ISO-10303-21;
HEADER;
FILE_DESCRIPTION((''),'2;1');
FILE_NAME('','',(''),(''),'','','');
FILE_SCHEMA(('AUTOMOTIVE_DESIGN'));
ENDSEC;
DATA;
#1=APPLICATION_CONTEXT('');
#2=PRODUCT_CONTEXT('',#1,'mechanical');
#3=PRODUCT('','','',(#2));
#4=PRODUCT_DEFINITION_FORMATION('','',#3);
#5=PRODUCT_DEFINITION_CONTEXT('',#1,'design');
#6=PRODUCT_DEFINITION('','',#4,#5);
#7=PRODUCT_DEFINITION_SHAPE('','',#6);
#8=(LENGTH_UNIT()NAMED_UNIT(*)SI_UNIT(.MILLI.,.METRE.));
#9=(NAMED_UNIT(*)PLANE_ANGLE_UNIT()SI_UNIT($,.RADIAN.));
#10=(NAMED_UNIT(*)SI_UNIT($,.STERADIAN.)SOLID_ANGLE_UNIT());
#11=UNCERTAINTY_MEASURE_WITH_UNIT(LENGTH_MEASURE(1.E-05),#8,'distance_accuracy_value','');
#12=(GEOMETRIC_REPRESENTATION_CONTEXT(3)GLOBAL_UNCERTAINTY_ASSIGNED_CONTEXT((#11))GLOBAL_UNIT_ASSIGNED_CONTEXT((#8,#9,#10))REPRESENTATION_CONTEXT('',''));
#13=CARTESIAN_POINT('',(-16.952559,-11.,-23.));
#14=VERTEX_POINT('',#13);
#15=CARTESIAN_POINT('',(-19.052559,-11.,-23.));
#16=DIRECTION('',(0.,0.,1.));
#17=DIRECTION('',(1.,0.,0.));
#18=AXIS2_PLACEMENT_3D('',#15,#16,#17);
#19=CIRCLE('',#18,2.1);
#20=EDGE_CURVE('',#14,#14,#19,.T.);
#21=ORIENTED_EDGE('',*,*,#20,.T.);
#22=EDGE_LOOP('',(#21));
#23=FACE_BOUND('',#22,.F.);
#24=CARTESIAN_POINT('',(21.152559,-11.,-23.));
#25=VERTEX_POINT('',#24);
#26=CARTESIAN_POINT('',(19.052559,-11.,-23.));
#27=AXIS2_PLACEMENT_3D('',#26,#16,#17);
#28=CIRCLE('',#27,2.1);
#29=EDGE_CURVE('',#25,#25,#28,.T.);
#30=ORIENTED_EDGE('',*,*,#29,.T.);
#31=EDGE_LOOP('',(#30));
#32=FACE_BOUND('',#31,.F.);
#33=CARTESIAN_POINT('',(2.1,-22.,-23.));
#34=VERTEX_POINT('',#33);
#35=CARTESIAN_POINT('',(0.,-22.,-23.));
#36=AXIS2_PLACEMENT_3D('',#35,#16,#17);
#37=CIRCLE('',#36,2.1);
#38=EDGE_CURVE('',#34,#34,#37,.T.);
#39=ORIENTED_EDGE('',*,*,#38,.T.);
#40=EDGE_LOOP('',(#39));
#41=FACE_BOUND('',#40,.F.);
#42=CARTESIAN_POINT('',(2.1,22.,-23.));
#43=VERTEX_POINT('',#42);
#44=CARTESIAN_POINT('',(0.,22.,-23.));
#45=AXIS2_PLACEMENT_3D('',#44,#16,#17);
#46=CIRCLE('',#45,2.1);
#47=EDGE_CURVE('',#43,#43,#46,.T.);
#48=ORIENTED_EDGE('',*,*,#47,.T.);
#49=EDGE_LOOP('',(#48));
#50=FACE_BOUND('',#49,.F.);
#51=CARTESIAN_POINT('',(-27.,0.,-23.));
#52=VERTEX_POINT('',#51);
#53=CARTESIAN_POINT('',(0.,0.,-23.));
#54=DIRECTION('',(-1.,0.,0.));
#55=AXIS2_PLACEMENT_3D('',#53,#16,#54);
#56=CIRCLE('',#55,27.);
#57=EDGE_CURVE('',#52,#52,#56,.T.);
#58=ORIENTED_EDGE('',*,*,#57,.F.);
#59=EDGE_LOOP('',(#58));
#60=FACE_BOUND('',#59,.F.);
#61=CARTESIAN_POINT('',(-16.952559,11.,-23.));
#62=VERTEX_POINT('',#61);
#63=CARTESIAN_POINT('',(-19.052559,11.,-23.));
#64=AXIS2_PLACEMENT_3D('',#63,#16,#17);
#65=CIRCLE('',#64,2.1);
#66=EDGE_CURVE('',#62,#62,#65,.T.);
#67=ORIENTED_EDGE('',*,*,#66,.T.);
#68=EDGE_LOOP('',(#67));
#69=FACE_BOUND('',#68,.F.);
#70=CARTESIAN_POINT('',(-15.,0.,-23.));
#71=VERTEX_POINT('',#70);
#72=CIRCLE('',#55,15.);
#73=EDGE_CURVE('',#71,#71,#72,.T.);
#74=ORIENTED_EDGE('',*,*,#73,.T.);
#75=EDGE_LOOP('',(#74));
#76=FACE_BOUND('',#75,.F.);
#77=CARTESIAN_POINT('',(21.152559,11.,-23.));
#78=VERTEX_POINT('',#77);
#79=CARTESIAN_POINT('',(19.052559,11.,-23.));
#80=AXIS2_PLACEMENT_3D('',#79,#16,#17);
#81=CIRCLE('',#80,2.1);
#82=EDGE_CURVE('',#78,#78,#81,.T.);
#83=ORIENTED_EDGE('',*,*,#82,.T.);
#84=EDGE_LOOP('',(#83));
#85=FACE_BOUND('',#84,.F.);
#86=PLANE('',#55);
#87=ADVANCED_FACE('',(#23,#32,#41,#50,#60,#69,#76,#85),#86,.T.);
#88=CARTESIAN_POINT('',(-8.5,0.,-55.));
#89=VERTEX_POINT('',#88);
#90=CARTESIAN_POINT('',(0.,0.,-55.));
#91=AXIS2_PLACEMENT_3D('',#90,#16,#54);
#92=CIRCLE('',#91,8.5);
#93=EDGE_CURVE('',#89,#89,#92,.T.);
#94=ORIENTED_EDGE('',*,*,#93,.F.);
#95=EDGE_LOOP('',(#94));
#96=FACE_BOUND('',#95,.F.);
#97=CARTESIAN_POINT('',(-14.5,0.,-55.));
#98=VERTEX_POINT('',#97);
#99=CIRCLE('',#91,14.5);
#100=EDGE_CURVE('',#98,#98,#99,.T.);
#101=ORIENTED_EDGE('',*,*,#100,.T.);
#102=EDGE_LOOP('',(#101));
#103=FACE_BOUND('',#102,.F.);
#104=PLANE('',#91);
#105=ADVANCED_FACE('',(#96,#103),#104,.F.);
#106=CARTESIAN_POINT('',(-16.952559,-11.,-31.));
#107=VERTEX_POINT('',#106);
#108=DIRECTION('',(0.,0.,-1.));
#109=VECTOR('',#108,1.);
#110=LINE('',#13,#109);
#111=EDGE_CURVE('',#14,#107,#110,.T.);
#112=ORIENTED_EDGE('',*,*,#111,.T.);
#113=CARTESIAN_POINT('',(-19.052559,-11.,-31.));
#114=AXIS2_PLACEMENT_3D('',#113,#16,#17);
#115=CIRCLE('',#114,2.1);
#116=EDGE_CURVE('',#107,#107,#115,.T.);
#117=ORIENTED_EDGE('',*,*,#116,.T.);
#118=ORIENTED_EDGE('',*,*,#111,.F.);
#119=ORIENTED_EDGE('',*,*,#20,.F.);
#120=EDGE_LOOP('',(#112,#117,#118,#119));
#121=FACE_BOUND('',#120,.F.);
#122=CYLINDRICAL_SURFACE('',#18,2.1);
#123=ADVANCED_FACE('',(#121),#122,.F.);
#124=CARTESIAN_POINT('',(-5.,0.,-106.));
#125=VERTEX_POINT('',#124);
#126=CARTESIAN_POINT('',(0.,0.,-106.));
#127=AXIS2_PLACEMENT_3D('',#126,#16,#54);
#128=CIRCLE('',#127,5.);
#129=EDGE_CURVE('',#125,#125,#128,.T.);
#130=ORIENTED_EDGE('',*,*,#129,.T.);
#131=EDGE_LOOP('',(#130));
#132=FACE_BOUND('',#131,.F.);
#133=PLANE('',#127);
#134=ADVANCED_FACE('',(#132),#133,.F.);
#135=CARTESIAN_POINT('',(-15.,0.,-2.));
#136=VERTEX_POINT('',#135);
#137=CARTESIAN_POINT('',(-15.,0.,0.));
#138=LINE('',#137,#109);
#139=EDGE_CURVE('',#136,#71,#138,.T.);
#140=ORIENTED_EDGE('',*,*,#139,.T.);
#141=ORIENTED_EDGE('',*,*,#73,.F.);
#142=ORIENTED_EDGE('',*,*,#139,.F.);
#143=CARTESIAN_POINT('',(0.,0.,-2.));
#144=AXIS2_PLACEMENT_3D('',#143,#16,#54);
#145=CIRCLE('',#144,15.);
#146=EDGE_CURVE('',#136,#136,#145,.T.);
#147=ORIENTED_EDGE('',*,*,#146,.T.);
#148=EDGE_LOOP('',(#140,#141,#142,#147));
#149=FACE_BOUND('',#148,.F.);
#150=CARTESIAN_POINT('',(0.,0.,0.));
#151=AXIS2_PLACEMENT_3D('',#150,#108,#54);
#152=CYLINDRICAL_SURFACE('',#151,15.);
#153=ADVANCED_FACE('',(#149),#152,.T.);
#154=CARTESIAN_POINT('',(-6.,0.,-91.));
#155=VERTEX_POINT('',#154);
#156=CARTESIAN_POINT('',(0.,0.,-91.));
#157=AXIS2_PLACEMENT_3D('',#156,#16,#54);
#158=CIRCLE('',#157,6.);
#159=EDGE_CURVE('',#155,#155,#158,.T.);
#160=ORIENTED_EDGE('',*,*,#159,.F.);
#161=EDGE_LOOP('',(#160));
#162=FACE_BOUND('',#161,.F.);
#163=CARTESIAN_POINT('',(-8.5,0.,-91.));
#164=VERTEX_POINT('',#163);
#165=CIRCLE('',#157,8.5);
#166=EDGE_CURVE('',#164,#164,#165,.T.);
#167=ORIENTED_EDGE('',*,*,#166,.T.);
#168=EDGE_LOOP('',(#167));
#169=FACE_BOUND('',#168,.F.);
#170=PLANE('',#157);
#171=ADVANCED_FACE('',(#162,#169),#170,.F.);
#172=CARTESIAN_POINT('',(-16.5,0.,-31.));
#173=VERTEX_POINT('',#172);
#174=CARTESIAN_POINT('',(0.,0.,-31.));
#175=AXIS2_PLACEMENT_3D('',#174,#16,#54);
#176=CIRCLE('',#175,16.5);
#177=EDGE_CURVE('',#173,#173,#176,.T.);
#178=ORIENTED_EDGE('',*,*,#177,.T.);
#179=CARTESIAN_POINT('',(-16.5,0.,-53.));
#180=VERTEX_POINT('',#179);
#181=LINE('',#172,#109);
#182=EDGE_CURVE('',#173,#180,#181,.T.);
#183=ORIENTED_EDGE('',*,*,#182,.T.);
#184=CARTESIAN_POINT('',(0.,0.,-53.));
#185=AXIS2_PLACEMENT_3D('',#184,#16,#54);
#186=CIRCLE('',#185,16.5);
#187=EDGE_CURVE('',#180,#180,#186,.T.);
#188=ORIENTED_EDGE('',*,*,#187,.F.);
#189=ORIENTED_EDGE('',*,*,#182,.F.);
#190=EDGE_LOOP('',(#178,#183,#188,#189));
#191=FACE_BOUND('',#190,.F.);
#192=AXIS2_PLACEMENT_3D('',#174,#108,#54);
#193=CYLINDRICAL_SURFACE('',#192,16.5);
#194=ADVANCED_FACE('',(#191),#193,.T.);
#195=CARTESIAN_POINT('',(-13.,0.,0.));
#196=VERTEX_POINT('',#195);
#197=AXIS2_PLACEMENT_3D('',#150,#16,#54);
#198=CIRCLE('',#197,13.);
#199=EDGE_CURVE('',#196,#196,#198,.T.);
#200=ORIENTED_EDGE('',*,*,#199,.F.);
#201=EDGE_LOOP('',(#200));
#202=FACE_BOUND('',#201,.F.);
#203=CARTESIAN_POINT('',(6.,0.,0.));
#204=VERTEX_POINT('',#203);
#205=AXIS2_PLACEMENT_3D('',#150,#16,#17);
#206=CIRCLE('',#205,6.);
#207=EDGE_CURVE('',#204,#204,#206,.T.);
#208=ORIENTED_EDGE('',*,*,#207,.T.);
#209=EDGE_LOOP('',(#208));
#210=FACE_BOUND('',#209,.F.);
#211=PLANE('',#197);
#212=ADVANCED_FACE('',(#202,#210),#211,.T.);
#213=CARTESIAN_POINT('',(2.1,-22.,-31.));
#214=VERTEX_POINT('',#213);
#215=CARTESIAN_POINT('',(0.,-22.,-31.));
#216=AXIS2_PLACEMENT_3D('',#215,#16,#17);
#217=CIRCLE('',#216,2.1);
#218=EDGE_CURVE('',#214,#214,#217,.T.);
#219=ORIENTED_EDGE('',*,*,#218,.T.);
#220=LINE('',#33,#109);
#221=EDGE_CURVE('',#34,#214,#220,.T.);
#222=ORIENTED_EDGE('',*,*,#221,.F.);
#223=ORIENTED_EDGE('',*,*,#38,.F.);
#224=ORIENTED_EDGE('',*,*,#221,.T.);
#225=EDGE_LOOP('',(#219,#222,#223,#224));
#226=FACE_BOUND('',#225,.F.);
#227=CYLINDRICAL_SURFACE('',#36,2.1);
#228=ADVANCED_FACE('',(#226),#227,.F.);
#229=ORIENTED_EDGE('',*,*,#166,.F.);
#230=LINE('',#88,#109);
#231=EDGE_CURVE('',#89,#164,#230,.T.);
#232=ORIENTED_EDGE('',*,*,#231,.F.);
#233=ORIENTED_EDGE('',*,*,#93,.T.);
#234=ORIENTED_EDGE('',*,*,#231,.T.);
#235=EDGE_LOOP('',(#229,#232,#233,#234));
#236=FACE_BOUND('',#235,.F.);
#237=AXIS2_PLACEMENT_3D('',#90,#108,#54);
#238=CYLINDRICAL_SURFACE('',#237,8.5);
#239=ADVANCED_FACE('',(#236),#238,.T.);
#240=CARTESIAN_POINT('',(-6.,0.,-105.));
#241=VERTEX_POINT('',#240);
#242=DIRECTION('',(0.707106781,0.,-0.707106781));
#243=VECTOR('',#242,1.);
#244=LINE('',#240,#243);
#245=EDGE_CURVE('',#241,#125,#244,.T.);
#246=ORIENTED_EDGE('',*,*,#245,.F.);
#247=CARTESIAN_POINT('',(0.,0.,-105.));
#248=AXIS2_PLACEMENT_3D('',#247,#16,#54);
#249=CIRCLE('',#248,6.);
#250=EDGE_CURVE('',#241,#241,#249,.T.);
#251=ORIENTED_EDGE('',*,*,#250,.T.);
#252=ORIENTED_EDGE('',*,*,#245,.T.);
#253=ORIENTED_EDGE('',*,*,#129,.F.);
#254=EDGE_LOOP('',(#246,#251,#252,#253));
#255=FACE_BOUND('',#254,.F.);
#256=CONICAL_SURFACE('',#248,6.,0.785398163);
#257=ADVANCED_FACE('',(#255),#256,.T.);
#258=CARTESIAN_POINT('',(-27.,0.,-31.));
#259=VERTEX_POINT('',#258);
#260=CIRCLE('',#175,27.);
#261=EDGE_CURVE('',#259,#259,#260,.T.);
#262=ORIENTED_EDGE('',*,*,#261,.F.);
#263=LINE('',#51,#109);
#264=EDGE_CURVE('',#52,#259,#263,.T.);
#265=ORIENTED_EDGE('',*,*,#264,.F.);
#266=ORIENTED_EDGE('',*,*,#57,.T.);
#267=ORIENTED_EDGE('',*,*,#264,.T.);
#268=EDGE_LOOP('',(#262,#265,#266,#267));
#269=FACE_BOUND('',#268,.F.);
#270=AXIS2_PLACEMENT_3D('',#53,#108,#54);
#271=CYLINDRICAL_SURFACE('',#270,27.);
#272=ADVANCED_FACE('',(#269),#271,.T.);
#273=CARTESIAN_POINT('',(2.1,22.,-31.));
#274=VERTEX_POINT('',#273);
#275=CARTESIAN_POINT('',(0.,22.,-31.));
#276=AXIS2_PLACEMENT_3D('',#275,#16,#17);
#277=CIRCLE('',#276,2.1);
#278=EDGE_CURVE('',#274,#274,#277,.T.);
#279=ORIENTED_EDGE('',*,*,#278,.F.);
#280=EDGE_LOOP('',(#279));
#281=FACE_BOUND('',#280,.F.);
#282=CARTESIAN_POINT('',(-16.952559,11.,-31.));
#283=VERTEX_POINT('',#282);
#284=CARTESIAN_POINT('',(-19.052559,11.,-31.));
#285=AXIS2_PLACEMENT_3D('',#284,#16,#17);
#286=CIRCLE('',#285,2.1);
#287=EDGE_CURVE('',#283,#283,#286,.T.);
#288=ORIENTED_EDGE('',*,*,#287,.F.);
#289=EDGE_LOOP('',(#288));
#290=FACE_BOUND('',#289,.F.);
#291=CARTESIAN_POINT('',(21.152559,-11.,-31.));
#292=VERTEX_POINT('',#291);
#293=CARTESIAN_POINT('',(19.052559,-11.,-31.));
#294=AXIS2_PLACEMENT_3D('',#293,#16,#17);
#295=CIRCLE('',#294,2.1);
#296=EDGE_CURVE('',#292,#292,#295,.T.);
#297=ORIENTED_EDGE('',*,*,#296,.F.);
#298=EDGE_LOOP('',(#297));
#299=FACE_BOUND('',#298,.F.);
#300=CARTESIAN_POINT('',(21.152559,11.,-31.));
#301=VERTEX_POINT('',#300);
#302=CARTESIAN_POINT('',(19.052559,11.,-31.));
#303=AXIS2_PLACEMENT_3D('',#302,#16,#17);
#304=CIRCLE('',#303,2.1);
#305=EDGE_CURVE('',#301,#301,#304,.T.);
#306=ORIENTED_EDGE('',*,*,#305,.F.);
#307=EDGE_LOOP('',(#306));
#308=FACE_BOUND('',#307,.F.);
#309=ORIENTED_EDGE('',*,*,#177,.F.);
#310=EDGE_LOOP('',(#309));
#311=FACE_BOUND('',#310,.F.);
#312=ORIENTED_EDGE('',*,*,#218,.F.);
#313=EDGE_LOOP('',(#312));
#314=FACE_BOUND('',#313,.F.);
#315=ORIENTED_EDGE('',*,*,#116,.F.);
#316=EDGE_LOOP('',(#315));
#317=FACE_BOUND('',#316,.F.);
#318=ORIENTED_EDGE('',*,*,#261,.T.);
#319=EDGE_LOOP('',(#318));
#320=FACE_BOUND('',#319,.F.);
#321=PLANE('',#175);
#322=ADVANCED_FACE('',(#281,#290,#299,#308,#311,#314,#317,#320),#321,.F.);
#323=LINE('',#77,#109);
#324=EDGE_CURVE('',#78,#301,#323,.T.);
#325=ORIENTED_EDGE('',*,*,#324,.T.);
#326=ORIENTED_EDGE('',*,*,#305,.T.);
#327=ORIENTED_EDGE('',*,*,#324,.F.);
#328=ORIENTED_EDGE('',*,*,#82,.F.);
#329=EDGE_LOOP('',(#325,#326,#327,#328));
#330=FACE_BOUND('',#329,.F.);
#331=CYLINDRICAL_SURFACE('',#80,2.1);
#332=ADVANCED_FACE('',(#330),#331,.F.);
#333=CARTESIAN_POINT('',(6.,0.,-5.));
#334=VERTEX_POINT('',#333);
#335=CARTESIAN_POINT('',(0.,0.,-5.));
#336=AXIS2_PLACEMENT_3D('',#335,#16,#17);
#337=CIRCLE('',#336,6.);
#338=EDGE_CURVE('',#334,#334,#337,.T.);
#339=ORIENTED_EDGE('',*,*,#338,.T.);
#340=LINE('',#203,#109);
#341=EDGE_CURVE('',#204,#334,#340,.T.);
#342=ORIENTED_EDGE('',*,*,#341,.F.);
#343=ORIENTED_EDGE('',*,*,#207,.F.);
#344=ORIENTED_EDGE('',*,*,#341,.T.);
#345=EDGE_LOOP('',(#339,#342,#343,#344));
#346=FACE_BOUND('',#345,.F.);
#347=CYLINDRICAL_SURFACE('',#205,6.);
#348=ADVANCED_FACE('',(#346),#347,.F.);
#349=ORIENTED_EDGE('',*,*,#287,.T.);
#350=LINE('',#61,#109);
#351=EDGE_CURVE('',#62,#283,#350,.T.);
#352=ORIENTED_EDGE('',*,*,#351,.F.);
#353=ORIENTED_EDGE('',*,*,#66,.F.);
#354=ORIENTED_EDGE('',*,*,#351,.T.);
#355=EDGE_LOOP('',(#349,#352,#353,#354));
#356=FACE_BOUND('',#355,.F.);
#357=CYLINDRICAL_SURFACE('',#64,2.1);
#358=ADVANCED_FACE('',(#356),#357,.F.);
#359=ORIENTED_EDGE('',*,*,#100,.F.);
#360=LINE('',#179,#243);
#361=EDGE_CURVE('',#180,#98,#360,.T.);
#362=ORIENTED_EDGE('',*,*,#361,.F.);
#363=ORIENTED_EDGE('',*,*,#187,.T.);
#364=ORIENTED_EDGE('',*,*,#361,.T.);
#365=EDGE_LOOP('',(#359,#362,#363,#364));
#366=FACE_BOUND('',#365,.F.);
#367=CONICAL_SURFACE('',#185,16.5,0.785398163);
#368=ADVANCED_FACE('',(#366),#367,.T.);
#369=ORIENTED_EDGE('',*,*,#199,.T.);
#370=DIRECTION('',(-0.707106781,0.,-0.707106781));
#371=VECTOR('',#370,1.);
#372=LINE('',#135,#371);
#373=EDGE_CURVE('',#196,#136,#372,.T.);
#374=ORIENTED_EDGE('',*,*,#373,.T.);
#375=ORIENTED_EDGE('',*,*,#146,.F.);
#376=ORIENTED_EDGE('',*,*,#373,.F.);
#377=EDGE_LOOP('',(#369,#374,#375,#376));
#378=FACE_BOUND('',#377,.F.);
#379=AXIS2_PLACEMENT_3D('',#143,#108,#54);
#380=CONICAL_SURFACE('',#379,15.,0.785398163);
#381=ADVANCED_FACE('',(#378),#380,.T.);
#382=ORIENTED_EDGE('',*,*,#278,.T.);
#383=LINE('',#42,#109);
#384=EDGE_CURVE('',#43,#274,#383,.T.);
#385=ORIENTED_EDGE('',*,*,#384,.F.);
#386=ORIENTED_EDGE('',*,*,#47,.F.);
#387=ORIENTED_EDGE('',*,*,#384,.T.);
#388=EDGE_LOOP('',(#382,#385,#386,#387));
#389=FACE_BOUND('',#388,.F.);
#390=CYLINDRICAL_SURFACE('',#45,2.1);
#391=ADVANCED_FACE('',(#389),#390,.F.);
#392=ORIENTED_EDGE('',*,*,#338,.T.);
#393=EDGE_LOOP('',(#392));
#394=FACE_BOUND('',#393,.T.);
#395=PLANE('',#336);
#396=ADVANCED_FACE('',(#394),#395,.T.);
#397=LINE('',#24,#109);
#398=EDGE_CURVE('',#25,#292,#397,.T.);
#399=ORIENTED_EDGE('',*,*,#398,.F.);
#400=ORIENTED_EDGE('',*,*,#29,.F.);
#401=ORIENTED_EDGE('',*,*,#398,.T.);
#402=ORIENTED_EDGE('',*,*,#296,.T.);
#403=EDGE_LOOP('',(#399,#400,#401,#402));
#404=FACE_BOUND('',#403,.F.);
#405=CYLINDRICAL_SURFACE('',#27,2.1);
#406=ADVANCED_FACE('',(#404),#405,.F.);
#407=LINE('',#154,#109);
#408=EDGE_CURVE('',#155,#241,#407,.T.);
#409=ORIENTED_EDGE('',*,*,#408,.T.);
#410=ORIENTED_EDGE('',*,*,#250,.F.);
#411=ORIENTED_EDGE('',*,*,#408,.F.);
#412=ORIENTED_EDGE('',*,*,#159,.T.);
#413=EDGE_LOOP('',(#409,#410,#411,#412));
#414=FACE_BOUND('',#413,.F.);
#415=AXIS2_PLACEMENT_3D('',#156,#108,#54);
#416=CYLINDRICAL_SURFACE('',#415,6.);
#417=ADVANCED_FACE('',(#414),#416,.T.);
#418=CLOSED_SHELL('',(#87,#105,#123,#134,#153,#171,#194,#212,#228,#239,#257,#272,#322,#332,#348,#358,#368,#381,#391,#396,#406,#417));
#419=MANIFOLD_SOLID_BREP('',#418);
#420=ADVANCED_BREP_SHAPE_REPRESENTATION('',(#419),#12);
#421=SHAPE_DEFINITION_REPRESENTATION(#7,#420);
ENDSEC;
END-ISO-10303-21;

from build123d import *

# Parameters (mm, degrees)
F2_SIZE  = 2
F3_SIZE  = 1
F4_R     = 6
F5_DEPTH = 5
F6_R     = 2.1
F7_DEPTH = 10


with BuildPart() as f1:
    # F0 (on Front) → F1 (revolve)
    with BuildSketch(Plane.XZ):
        Polygon((0, -106), (0, 0), (-15, 0), (-15, -23), (-27, -23), (-27, -31), (-16.5, -31), (-16.5, -55), (-8.5, -55), (-8.5, -91), (-6, -91), (-6, -106), align=None)
    revolve(axis=Axis((0, 0, -53), (0, 0, 1)))

    # F2
    f2_edges = [f1.edges().sort_by_distance(p)[0] for p in [
        (15, 0, 0),
        (16.5, 0, -55),
    ]]
    chamfer(f2_edges, length=F2_SIZE)

    # F3
    f3_edges = [f1.edges().sort_by_distance(p)[0] for p in [
        (6, 0, -106),
    ]]
    chamfer(f3_edges, length=F3_SIZE)

    # F4 (on face) → F5 (cut)
    with BuildSketch(Plane.XY):
        Circle(F4_R)
    extrude(amount=-F5_DEPTH, mode=Mode.SUBTRACT)

    # F6 (on face) → F7 (cut)
    with BuildSketch(Plane.XY.offset(-23)):
        with Locations((0, 22)):
            Circle(F6_R)
        with Locations((-19.0525588833, 11)):
            Circle(F6_R)
        with Locations((-19.0525588833, -11)):
            Circle(F6_R)
        with Locations((0, -22)):
            Circle(F6_R)
        with Locations((19.0525588833, -11)):
            Circle(F6_R)
        with Locations((19.0525588833, 11)):
            Circle(F6_R)
    extrude(amount=-F7_DEPTH, mode=Mode.SUBTRACT)


solid = f1.part
